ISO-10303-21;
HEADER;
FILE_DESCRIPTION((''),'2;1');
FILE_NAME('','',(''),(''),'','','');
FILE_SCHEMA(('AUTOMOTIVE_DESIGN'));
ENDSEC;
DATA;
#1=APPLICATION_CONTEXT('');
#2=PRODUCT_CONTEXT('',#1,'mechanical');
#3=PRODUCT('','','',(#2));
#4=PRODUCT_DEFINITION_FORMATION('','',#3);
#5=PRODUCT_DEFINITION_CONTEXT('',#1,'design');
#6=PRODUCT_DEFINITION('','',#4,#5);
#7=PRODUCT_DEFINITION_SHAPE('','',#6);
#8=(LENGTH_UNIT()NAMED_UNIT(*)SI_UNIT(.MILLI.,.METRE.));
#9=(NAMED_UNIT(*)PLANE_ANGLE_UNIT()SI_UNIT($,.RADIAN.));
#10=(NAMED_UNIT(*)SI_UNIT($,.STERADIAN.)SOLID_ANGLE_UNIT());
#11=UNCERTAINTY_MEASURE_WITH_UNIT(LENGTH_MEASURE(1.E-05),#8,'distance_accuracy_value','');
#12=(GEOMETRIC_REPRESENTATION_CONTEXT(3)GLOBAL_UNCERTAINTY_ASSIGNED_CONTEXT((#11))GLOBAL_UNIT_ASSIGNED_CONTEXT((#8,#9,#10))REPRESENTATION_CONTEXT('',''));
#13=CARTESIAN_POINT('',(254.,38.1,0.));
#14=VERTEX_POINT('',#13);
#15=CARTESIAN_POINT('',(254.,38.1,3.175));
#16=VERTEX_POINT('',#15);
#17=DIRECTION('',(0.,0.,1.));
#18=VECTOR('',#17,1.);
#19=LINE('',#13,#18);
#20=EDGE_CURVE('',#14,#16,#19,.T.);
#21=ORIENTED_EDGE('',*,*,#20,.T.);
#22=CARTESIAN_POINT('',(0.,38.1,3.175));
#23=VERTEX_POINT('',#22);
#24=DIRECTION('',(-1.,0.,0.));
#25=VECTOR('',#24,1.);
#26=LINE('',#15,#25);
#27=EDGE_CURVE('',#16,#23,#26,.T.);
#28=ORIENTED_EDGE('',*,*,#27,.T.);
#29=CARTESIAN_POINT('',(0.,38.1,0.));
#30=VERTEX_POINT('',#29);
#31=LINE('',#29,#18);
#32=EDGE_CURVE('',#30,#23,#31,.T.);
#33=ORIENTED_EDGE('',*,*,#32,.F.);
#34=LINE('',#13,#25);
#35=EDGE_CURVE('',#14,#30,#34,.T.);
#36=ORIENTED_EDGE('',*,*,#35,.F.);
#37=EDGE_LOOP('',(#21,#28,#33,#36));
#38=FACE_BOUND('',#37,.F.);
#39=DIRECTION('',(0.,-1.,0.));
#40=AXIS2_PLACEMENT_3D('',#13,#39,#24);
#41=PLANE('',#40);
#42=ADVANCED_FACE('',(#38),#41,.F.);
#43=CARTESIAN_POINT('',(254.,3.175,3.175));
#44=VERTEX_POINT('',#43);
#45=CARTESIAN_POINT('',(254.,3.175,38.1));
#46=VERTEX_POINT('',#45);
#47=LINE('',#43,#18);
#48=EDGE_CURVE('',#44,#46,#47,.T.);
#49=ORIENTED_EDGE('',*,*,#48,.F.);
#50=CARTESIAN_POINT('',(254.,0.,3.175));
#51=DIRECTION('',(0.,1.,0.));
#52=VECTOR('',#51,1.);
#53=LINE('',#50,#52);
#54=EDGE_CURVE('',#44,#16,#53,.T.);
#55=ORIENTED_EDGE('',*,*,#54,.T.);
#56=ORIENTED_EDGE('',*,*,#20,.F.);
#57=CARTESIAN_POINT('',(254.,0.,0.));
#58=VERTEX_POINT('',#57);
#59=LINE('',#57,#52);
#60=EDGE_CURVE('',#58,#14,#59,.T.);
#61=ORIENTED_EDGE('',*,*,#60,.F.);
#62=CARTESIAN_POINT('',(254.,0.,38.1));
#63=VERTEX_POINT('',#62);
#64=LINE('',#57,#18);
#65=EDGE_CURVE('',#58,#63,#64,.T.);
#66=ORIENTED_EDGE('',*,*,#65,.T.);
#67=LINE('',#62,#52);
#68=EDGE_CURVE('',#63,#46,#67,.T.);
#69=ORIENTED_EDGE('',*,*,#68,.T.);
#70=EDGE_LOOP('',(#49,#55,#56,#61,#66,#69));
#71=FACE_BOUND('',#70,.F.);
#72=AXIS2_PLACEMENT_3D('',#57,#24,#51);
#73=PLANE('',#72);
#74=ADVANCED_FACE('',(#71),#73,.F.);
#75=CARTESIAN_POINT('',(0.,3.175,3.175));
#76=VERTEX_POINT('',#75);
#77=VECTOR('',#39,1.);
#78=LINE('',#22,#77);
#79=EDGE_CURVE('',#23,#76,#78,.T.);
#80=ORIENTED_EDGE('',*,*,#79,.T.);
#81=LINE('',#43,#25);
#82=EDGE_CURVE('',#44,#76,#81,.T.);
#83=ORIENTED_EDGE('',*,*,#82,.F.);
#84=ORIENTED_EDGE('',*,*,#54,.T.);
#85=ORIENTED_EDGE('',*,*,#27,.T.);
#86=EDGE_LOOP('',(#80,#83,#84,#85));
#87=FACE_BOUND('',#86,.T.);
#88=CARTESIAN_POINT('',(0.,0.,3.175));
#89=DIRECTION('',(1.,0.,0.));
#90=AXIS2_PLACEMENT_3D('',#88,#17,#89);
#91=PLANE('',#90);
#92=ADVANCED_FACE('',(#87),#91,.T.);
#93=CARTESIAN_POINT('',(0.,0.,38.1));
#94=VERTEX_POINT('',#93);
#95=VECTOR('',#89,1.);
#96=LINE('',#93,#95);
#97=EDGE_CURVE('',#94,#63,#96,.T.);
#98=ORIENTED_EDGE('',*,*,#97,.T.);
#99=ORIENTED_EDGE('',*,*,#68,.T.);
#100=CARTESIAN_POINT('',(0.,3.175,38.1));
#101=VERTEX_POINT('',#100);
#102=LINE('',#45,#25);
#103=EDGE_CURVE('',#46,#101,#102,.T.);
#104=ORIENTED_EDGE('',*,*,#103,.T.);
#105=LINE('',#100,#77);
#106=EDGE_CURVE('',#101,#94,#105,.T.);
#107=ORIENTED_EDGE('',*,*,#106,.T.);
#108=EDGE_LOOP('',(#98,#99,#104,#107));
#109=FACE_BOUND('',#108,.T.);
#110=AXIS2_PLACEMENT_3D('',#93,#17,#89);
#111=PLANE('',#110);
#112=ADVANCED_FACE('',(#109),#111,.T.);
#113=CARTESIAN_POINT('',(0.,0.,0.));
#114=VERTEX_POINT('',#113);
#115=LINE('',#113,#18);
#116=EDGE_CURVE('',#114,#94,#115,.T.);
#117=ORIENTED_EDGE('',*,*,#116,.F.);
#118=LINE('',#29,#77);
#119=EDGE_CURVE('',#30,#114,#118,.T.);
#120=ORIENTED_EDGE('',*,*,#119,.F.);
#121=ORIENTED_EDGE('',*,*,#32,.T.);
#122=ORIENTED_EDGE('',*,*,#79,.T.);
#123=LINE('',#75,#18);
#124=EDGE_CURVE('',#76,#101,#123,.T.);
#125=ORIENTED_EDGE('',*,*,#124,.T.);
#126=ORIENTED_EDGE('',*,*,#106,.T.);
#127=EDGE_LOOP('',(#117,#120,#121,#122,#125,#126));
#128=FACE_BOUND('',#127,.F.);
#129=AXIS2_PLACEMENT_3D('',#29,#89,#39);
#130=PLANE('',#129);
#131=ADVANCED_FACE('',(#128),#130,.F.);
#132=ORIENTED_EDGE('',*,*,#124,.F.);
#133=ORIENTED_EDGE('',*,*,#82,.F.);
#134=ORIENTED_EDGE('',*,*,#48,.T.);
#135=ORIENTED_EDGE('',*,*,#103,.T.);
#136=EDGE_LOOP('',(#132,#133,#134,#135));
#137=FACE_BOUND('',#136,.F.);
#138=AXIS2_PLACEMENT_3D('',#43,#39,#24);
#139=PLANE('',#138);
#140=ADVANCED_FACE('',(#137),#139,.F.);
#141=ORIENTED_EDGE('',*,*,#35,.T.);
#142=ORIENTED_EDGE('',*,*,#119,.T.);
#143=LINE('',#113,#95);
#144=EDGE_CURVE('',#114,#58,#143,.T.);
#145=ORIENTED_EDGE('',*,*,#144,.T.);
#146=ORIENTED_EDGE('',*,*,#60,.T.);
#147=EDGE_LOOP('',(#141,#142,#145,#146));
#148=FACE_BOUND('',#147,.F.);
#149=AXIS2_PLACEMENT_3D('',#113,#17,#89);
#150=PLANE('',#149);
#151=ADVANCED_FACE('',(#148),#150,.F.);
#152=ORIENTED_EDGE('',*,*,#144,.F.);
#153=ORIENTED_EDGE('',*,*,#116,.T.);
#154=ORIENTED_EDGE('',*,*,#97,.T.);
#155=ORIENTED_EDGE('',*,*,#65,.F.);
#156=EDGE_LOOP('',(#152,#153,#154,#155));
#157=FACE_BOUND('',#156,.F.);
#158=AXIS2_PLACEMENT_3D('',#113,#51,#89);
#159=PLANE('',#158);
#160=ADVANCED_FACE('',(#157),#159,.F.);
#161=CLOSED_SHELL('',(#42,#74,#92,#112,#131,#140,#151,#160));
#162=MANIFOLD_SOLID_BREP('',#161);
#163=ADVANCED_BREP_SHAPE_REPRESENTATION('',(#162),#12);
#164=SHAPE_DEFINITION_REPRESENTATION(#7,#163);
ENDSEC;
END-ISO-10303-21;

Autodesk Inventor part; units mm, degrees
ref_plane "YZ Plane" through (0, 0, 0) normal (1, 0, 0) x (0, 1, 0)
ref_plane "XZ Plane" through (0, 0, 0) normal (0, 1, 0) x (-1, 0, 0)
ref_plane "XY Plane" through (0, 0, 0) normal (0, 0, 1) x (1, 0, 0)
sketch "Sketch1" plane through (0, 0, 0) normal (0, 0, 1) x (1, 0, 0)
  line L0 (0, 0) -> (254, 0)
  line L1 (254, 0) -> (254, 38.1)
  line L2 (254, 38.1) -> (0, 38.1)
  line L3 (0, 38.1) -> (0, 0)
  dimension "d0" = 254
  dimension "d1" = 38.1
extrude "Extrusion1" add sketch "Sketch1" along normal blind 3.175
sketch "Sketch2" plane through (0, 0, 3.175) normal (0, 0, 1) x (1, 0, 0)
  line L0 (0, 0) -> (254, 0) projected
  line L1 (0, 0) -> (254, 0)
  line L2 (254, 0) -> (254, 3.175)
  line L3 (254, 3.175) -> (0, 3.175)
  line L4 (0, 3.175) -> (0, 0)
  dimension "d4" = 3.175
  dimension "d5" = 254
extrude "Extrusion2" add sketch "Sketch2" along normal blind 34.925
properties part number "CLB_061_OutsideLBracket"
